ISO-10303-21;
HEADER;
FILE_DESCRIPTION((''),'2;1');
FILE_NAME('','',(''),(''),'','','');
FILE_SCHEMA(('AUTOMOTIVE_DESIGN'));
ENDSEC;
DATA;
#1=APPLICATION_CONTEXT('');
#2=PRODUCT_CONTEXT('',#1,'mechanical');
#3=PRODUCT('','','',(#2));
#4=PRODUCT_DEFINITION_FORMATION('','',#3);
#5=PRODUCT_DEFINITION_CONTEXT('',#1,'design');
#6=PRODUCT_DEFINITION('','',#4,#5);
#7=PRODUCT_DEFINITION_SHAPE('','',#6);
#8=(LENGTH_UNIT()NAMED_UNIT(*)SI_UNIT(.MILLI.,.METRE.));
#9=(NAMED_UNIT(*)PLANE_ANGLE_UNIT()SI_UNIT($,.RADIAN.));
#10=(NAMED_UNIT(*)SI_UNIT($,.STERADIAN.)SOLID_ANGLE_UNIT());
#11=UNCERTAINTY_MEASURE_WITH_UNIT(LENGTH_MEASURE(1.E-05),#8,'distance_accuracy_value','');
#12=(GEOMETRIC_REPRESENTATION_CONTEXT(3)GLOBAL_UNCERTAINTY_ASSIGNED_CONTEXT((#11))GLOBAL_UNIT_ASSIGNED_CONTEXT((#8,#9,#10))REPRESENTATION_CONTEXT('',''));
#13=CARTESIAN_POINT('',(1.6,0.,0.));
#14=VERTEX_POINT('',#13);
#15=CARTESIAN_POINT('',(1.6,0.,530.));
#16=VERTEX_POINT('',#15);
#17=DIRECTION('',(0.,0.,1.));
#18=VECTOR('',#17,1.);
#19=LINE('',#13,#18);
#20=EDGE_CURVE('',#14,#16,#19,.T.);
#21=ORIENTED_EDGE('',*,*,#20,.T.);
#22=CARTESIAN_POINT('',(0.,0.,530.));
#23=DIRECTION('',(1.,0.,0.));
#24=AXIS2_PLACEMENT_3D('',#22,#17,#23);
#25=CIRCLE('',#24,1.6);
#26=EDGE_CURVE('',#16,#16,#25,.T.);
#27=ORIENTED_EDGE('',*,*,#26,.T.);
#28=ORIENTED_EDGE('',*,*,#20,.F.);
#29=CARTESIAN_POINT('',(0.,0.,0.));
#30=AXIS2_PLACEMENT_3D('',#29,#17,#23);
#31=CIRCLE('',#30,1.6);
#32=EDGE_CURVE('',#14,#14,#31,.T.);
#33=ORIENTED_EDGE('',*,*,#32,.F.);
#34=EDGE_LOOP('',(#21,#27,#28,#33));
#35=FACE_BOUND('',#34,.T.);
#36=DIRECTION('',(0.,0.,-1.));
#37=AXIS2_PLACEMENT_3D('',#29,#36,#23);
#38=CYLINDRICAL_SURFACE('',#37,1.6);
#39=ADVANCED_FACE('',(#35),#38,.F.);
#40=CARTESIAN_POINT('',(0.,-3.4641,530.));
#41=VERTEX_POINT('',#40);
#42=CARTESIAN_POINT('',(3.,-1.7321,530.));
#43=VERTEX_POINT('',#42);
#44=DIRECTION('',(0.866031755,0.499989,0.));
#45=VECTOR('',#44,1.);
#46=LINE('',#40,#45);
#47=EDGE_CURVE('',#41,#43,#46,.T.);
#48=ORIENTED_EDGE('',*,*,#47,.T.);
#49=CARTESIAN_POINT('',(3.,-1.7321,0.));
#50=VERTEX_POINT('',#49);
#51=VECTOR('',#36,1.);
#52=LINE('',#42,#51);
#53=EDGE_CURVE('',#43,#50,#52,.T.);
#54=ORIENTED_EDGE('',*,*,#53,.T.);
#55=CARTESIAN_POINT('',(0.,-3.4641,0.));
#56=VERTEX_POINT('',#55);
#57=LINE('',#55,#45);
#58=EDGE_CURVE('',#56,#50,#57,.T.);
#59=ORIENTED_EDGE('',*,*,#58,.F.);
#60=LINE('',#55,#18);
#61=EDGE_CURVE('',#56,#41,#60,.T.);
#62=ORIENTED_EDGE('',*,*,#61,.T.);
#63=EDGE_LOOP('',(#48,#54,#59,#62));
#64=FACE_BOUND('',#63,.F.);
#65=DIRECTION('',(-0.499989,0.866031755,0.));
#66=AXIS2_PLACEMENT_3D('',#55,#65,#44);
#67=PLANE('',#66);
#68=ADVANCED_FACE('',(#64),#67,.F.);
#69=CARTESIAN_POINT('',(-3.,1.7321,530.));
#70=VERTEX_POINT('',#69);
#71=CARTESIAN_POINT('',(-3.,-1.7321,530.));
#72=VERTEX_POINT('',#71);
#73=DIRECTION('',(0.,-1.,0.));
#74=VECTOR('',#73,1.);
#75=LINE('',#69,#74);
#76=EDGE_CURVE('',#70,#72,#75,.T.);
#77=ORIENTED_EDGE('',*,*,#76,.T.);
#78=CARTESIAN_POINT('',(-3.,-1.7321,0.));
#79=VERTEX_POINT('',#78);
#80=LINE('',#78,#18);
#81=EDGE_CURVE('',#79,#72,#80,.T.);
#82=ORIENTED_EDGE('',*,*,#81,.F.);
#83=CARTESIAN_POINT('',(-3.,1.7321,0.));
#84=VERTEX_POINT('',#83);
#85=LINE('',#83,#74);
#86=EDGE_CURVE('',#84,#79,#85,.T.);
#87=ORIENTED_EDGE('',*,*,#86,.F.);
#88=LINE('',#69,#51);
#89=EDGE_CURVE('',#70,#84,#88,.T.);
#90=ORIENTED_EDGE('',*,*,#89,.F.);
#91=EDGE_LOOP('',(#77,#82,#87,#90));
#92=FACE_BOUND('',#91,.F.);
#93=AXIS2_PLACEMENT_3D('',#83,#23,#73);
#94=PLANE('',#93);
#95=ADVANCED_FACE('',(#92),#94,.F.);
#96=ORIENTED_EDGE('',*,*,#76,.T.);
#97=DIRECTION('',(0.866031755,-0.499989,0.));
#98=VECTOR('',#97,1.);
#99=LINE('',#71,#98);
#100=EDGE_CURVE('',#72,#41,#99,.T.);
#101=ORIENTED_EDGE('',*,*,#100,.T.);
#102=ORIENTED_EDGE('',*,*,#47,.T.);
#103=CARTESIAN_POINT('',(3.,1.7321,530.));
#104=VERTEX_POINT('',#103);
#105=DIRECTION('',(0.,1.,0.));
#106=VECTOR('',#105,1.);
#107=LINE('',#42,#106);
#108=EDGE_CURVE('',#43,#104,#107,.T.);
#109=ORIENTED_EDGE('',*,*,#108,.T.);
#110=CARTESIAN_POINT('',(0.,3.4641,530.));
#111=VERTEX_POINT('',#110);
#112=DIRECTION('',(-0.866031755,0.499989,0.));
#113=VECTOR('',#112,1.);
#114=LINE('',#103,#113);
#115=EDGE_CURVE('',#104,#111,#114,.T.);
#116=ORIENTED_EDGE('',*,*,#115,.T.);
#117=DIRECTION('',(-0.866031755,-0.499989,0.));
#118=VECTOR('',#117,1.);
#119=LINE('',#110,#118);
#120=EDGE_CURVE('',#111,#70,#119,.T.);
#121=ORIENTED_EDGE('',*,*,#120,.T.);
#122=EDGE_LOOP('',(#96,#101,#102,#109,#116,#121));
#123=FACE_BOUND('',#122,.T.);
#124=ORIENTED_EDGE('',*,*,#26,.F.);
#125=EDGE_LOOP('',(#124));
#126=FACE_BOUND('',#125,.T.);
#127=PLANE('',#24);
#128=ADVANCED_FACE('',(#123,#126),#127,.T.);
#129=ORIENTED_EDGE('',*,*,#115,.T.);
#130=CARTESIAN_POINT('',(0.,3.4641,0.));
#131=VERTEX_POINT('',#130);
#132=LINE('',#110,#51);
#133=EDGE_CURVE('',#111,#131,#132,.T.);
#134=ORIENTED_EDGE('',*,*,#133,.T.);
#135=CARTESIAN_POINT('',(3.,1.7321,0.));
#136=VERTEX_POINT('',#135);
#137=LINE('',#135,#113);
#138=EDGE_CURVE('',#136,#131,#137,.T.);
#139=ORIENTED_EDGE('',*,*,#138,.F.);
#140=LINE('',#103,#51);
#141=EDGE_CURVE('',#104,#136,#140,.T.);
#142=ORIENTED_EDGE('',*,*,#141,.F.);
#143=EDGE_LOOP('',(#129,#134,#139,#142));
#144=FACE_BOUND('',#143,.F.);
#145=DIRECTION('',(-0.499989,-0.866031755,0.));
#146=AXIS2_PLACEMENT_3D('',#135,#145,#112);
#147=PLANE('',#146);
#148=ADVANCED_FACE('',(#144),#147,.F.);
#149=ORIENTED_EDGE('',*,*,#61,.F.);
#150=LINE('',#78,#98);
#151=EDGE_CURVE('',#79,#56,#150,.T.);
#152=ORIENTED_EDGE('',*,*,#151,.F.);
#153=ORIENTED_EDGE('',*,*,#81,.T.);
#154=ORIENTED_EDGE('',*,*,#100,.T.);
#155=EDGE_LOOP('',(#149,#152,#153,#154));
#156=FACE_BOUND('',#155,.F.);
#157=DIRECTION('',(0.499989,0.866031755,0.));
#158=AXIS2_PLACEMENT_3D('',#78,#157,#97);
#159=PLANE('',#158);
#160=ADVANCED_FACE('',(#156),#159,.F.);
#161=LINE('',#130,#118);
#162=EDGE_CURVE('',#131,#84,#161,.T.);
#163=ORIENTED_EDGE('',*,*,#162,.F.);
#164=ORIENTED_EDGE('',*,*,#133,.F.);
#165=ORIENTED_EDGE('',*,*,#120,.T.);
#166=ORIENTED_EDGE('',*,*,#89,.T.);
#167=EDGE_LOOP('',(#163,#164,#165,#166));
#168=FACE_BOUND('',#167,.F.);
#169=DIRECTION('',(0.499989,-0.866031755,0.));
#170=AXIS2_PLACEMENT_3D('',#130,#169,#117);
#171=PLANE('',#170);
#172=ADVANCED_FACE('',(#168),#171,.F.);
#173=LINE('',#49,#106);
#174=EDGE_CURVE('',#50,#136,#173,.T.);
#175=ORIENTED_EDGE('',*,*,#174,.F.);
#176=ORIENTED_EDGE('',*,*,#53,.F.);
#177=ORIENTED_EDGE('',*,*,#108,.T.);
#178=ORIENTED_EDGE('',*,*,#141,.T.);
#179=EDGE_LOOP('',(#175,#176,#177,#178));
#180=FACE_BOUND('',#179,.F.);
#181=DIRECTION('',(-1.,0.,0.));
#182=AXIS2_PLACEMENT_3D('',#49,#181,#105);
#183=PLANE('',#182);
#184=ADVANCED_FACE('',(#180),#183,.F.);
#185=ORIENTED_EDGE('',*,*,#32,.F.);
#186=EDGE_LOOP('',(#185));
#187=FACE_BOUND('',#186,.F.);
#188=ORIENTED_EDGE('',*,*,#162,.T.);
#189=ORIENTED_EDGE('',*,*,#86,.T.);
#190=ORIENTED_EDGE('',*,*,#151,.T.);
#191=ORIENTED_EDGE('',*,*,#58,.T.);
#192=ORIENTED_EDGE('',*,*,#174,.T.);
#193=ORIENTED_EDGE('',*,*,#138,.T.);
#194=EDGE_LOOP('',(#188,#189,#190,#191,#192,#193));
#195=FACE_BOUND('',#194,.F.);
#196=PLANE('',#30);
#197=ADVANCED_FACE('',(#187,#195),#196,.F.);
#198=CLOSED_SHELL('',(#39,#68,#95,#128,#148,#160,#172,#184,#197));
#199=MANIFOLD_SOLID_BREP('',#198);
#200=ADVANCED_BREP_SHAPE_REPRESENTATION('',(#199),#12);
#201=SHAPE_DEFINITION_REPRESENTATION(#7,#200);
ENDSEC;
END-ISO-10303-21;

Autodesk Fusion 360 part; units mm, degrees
sketch "Sketch1" plane through (0, 0, 0) normal (0, 0, 1) x (1, 0, 0)
  circle A0 centre (0, 0) radius 7.5
  circle A1 centre (0, 0) radius 6.5
  dimension "d1" = 15
  dimension "d2" = -1
extrude "Extrude1" add sketch "Sketch1" along normal blind 497
equation "d3 = 527 mm - 30 mm"

Autodesk Fusion 360 part; units mm, degrees
sketch "Sketch1" plane through (0, 0, 0) normal (0, 0, 1) x (1, 0, 0)
  circle A0 centre (0, 0) radius 7.5
  circle A1 centre (0, 0) radius 6.5
  dimension "d1" = 15
  dimension "d2" = -1
extrude "Extrude1" add sketch "Sketch1" along normal blind 530
equation "d3 = 560 mm - 30 mm"

Autodesk Fusion 360 part; units mm, degrees
sketch "Sketch1" plane through (0, 0, 0) normal (0, 0, 1) x (1, 0, 0)
  line L0 (-29, 14) -> (29, 14)
  line L1 (29, 14) -> (29, -14)
  line L2 (29, -14) -> (-29, -14)
  line L3 (-29, -14) -> (-29, 14)
  line L4 (-29, 14) -> (29, -14) construction
  line L5 (29, 14) -> (-29, -14) construction
  dimension "d1" = 28
  dimension "d2" = 58
extrude "Extrude1" add sketch "Sketch1" along normal blind 175

Autodesk Fusion 360 part; units mm, degrees
sketch "Sketch1" plane through (0, 0, 0) normal (0, 0, 1) x (1, 0, 0)
  circle A0 centre (0, 0) radius 1.6
  line L0 (-3, -1.7321) -> (0, -3.4641)
  line L1 (0, -3.4641) -> (3, -1.7321)
  line L2 (3, -1.7321) -> (3, 1.7321)
  line L3 (3, 1.7321) -> (0, 3.4641)
  line L4 (0, 3.4641) -> (-3, 1.7321)
  line L5 (-3, 1.7321) -> (-3, -1.7321)
  dimension "d1" = 3.2
extrude "Extrude1" add sketch "Sketch1" along normal blind 25.3
